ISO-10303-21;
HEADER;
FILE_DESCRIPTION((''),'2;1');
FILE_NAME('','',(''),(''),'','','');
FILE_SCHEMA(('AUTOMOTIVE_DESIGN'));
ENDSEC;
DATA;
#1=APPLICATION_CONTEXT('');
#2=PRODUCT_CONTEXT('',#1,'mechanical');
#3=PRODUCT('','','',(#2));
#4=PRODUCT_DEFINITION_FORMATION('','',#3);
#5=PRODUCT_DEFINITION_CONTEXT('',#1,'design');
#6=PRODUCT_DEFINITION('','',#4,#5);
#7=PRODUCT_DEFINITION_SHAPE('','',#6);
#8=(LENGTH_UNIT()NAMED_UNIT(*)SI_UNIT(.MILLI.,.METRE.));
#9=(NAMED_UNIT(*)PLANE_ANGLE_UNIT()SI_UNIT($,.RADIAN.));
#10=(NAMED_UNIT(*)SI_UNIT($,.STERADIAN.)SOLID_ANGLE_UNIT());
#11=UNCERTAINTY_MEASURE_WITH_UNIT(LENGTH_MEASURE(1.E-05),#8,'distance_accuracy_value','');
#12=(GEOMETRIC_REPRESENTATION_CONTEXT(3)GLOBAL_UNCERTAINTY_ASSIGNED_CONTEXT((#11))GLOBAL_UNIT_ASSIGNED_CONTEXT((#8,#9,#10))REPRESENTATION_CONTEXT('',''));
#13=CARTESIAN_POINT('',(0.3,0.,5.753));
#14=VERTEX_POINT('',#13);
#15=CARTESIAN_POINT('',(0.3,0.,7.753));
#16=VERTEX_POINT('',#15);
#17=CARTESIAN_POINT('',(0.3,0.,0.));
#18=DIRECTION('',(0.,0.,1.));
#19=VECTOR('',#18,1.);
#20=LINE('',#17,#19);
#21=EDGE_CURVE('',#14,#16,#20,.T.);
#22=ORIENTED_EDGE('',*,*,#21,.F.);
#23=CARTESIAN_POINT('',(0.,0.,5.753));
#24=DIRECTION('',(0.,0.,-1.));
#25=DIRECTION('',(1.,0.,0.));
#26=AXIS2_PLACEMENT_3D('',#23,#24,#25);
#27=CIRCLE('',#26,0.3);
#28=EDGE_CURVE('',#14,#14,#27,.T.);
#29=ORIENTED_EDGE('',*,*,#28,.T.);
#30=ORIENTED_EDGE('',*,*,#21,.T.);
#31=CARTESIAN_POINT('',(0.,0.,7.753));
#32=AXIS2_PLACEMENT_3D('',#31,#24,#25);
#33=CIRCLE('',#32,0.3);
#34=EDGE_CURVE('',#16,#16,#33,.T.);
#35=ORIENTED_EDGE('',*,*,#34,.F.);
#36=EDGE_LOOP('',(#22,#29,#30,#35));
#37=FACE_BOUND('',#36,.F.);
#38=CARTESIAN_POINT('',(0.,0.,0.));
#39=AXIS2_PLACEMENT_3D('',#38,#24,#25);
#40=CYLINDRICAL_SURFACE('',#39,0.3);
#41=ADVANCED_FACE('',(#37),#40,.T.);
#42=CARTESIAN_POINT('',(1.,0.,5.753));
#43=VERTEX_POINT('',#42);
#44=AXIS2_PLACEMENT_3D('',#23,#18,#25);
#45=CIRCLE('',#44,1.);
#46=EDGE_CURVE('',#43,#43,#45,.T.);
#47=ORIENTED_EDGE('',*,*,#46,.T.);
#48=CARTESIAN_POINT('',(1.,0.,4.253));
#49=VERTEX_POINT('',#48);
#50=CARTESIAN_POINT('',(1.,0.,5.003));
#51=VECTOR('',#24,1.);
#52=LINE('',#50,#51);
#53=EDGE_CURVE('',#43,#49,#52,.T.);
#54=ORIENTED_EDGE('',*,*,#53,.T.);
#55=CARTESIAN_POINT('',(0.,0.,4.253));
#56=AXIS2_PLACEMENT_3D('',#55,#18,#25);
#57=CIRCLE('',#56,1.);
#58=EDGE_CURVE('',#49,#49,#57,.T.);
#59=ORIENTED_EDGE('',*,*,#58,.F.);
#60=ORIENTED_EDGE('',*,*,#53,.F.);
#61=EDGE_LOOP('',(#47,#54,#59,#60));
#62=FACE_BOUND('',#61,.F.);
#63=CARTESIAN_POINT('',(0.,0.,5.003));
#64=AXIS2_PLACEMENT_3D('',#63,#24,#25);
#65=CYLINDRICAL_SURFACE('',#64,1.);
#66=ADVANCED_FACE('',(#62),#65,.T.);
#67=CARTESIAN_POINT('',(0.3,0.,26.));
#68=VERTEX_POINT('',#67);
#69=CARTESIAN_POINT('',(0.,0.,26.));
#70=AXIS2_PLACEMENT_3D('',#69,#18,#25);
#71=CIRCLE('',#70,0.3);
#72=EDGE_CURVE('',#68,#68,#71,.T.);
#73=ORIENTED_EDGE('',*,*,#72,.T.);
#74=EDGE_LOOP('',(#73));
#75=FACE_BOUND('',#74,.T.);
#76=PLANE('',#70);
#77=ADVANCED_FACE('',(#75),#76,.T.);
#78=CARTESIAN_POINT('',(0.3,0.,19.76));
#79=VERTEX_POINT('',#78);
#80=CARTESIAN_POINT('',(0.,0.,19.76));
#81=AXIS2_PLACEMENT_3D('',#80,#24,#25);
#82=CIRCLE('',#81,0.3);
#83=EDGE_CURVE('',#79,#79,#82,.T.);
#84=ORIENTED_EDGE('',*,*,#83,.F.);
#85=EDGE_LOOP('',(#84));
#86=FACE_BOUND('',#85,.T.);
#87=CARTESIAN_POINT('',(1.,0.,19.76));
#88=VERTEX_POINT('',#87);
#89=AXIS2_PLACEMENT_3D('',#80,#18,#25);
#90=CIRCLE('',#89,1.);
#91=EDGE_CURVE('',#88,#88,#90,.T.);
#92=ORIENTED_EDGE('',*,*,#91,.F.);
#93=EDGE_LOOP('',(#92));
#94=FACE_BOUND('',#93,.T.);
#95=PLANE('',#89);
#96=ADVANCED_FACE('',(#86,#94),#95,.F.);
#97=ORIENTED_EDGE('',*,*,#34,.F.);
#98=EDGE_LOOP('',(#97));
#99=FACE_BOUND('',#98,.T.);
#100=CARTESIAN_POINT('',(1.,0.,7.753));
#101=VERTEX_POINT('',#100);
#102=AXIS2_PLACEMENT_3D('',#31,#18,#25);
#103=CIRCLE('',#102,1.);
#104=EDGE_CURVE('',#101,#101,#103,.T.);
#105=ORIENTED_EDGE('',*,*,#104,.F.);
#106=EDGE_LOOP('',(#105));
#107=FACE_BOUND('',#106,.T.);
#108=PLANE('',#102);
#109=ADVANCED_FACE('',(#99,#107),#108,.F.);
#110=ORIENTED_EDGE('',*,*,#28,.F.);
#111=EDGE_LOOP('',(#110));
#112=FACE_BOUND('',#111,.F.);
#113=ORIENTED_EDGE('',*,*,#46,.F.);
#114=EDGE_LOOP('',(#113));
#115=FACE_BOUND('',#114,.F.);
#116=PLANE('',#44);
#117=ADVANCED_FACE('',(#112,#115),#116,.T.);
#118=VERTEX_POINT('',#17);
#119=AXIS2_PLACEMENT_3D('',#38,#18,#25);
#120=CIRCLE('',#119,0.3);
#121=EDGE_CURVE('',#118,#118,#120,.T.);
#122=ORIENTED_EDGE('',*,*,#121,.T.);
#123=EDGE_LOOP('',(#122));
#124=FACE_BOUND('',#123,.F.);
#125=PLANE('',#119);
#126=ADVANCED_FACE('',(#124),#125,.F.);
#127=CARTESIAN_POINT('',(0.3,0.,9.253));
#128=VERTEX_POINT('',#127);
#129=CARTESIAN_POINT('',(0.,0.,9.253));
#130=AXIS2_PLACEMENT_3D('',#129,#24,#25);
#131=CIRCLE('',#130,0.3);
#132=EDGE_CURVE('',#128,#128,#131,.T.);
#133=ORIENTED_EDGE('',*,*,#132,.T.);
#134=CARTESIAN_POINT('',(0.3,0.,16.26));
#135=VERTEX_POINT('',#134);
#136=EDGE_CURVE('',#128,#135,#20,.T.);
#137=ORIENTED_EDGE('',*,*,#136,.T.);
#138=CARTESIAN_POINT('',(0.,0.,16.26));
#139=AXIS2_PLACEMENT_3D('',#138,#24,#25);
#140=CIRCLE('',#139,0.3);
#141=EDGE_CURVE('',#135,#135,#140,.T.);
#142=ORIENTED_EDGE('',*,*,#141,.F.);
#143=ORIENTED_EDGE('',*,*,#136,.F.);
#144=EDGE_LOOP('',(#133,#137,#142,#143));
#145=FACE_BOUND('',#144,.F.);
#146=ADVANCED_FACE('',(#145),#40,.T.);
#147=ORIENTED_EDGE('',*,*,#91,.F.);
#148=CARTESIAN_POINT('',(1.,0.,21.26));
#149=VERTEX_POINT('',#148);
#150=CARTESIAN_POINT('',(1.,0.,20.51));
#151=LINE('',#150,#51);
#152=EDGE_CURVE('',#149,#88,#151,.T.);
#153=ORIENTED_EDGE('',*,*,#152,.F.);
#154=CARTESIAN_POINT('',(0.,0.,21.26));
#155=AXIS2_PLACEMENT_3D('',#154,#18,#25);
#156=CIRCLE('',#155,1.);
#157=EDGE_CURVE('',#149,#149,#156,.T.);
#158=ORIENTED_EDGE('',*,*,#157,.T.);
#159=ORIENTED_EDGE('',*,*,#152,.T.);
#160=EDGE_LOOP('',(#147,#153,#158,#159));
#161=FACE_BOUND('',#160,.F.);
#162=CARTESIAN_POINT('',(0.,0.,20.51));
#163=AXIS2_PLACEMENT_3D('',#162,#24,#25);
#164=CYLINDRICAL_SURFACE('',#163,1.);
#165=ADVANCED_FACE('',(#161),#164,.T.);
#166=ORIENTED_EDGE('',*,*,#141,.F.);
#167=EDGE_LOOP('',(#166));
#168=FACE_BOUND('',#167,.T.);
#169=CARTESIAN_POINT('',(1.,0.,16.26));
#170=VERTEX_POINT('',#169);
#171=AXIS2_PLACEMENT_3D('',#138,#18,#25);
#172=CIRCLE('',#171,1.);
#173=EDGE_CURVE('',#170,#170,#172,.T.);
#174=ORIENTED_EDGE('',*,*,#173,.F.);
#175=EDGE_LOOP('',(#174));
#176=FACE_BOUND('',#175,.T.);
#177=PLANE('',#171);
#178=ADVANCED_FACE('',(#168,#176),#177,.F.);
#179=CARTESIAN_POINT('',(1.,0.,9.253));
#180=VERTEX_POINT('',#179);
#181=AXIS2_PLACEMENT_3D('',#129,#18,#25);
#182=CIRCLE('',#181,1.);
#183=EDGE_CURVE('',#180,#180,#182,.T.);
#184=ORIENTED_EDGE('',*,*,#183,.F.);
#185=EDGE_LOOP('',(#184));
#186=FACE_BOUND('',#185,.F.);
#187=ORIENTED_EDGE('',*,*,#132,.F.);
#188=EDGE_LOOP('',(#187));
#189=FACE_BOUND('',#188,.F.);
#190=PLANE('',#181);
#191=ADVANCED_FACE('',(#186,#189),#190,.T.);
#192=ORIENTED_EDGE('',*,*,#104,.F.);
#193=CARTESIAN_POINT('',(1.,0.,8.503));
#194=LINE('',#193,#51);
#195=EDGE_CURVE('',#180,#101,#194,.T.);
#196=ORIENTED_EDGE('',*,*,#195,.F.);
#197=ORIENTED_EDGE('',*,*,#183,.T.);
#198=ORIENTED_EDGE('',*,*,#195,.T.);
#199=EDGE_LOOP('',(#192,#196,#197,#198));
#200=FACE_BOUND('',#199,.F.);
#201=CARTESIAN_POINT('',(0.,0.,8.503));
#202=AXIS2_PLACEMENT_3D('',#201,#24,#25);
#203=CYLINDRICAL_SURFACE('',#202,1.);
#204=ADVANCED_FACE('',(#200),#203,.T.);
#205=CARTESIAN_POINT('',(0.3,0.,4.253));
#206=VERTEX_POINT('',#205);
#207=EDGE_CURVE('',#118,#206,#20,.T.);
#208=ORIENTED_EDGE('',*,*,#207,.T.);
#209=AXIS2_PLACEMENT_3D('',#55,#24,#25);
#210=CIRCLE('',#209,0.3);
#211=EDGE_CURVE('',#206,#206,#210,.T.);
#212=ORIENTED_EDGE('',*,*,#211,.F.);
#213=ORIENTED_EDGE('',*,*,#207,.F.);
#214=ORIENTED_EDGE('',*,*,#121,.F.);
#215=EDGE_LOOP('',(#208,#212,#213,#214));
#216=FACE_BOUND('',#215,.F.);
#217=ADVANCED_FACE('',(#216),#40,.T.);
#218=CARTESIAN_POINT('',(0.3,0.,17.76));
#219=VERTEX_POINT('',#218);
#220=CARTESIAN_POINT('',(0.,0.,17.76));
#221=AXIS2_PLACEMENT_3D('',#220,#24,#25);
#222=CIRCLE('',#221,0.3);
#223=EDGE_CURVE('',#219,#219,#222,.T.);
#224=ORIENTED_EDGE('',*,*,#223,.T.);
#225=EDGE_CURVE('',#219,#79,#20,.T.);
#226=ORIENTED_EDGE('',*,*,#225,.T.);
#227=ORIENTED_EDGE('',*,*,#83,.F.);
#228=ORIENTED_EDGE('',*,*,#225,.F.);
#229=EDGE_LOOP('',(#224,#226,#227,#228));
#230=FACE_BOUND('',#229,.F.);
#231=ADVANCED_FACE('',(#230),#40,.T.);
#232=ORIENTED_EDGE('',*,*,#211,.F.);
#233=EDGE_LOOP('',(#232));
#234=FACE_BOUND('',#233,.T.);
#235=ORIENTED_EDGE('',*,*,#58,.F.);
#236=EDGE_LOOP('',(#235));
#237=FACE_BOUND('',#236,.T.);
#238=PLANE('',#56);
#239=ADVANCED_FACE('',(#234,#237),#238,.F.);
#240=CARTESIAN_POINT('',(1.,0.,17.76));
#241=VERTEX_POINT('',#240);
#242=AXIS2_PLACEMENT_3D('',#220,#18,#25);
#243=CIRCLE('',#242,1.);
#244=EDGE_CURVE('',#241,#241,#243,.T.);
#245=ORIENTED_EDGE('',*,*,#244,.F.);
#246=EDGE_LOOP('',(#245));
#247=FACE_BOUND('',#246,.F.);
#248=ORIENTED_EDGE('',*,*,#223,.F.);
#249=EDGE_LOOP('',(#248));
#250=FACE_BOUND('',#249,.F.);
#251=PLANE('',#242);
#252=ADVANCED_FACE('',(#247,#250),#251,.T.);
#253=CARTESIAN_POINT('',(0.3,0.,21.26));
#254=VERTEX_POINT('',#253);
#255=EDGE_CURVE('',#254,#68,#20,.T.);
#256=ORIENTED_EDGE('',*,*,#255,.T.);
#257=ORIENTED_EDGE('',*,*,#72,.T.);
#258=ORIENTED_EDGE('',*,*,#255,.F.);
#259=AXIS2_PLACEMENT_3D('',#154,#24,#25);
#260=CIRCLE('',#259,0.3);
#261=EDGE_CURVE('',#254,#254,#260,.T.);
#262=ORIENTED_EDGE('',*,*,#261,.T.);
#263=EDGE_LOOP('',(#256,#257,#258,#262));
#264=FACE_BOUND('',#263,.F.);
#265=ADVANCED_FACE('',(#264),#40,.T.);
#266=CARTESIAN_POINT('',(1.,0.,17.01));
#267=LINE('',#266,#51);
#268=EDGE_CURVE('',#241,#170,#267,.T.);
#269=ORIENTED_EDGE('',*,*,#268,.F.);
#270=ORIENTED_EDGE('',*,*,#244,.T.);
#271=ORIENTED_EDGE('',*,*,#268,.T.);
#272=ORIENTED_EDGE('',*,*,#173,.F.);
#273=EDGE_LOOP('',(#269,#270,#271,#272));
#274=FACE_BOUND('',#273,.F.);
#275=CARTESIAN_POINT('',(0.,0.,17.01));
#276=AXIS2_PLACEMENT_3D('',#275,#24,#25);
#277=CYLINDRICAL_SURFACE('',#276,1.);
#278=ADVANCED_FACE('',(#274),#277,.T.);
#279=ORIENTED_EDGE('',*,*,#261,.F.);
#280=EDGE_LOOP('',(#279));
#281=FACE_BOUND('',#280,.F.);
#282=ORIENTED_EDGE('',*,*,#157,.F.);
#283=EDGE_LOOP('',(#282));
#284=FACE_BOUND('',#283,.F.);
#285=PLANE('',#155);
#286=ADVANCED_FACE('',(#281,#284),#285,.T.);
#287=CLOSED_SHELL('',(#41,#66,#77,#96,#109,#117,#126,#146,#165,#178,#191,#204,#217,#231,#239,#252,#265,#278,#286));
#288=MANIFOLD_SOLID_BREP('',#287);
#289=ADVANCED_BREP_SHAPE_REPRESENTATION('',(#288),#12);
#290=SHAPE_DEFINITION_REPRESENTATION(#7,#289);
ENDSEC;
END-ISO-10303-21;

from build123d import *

# Parameters (mm, degrees)
SKETCH1_R           = 0.3
BOSS_EXTRUDE1_DEPTH = 26
SKETCH2_W           = 1
SKETCH2_H           = 1.5


with BuildPart() as part:
    # Sketch1 → Boss-Extrude1 (new body)
    with BuildSketch(Plane.XY):
        Circle(SKETCH1_R)
    extrude(amount=BOSS_EXTRUDE1_DEPTH)

    # Sketch2 → Revolve1 (revolve)
    with BuildSketch(Plane(origin=(0, 0, 0), x_dir=(1, 0, 0), z_dir=(0, 1, 0))):
        with Locations((0.5, -5.003)):
            Rectangle(SKETCH2_W, SKETCH2_H)
        with Locations((0.5, -8.503)):
            Rectangle(SKETCH2_W, SKETCH2_H)
        with Locations((0.5, -17.01)):
            Rectangle(SKETCH2_W, SKETCH2_H)
        with Locations((0.5, -20.51)):
            Rectangle(SKETCH2_W, SKETCH2_H)
    revolve(axis=Axis((0, 0, 0), (0, 0, 1)))


solid = part.part
